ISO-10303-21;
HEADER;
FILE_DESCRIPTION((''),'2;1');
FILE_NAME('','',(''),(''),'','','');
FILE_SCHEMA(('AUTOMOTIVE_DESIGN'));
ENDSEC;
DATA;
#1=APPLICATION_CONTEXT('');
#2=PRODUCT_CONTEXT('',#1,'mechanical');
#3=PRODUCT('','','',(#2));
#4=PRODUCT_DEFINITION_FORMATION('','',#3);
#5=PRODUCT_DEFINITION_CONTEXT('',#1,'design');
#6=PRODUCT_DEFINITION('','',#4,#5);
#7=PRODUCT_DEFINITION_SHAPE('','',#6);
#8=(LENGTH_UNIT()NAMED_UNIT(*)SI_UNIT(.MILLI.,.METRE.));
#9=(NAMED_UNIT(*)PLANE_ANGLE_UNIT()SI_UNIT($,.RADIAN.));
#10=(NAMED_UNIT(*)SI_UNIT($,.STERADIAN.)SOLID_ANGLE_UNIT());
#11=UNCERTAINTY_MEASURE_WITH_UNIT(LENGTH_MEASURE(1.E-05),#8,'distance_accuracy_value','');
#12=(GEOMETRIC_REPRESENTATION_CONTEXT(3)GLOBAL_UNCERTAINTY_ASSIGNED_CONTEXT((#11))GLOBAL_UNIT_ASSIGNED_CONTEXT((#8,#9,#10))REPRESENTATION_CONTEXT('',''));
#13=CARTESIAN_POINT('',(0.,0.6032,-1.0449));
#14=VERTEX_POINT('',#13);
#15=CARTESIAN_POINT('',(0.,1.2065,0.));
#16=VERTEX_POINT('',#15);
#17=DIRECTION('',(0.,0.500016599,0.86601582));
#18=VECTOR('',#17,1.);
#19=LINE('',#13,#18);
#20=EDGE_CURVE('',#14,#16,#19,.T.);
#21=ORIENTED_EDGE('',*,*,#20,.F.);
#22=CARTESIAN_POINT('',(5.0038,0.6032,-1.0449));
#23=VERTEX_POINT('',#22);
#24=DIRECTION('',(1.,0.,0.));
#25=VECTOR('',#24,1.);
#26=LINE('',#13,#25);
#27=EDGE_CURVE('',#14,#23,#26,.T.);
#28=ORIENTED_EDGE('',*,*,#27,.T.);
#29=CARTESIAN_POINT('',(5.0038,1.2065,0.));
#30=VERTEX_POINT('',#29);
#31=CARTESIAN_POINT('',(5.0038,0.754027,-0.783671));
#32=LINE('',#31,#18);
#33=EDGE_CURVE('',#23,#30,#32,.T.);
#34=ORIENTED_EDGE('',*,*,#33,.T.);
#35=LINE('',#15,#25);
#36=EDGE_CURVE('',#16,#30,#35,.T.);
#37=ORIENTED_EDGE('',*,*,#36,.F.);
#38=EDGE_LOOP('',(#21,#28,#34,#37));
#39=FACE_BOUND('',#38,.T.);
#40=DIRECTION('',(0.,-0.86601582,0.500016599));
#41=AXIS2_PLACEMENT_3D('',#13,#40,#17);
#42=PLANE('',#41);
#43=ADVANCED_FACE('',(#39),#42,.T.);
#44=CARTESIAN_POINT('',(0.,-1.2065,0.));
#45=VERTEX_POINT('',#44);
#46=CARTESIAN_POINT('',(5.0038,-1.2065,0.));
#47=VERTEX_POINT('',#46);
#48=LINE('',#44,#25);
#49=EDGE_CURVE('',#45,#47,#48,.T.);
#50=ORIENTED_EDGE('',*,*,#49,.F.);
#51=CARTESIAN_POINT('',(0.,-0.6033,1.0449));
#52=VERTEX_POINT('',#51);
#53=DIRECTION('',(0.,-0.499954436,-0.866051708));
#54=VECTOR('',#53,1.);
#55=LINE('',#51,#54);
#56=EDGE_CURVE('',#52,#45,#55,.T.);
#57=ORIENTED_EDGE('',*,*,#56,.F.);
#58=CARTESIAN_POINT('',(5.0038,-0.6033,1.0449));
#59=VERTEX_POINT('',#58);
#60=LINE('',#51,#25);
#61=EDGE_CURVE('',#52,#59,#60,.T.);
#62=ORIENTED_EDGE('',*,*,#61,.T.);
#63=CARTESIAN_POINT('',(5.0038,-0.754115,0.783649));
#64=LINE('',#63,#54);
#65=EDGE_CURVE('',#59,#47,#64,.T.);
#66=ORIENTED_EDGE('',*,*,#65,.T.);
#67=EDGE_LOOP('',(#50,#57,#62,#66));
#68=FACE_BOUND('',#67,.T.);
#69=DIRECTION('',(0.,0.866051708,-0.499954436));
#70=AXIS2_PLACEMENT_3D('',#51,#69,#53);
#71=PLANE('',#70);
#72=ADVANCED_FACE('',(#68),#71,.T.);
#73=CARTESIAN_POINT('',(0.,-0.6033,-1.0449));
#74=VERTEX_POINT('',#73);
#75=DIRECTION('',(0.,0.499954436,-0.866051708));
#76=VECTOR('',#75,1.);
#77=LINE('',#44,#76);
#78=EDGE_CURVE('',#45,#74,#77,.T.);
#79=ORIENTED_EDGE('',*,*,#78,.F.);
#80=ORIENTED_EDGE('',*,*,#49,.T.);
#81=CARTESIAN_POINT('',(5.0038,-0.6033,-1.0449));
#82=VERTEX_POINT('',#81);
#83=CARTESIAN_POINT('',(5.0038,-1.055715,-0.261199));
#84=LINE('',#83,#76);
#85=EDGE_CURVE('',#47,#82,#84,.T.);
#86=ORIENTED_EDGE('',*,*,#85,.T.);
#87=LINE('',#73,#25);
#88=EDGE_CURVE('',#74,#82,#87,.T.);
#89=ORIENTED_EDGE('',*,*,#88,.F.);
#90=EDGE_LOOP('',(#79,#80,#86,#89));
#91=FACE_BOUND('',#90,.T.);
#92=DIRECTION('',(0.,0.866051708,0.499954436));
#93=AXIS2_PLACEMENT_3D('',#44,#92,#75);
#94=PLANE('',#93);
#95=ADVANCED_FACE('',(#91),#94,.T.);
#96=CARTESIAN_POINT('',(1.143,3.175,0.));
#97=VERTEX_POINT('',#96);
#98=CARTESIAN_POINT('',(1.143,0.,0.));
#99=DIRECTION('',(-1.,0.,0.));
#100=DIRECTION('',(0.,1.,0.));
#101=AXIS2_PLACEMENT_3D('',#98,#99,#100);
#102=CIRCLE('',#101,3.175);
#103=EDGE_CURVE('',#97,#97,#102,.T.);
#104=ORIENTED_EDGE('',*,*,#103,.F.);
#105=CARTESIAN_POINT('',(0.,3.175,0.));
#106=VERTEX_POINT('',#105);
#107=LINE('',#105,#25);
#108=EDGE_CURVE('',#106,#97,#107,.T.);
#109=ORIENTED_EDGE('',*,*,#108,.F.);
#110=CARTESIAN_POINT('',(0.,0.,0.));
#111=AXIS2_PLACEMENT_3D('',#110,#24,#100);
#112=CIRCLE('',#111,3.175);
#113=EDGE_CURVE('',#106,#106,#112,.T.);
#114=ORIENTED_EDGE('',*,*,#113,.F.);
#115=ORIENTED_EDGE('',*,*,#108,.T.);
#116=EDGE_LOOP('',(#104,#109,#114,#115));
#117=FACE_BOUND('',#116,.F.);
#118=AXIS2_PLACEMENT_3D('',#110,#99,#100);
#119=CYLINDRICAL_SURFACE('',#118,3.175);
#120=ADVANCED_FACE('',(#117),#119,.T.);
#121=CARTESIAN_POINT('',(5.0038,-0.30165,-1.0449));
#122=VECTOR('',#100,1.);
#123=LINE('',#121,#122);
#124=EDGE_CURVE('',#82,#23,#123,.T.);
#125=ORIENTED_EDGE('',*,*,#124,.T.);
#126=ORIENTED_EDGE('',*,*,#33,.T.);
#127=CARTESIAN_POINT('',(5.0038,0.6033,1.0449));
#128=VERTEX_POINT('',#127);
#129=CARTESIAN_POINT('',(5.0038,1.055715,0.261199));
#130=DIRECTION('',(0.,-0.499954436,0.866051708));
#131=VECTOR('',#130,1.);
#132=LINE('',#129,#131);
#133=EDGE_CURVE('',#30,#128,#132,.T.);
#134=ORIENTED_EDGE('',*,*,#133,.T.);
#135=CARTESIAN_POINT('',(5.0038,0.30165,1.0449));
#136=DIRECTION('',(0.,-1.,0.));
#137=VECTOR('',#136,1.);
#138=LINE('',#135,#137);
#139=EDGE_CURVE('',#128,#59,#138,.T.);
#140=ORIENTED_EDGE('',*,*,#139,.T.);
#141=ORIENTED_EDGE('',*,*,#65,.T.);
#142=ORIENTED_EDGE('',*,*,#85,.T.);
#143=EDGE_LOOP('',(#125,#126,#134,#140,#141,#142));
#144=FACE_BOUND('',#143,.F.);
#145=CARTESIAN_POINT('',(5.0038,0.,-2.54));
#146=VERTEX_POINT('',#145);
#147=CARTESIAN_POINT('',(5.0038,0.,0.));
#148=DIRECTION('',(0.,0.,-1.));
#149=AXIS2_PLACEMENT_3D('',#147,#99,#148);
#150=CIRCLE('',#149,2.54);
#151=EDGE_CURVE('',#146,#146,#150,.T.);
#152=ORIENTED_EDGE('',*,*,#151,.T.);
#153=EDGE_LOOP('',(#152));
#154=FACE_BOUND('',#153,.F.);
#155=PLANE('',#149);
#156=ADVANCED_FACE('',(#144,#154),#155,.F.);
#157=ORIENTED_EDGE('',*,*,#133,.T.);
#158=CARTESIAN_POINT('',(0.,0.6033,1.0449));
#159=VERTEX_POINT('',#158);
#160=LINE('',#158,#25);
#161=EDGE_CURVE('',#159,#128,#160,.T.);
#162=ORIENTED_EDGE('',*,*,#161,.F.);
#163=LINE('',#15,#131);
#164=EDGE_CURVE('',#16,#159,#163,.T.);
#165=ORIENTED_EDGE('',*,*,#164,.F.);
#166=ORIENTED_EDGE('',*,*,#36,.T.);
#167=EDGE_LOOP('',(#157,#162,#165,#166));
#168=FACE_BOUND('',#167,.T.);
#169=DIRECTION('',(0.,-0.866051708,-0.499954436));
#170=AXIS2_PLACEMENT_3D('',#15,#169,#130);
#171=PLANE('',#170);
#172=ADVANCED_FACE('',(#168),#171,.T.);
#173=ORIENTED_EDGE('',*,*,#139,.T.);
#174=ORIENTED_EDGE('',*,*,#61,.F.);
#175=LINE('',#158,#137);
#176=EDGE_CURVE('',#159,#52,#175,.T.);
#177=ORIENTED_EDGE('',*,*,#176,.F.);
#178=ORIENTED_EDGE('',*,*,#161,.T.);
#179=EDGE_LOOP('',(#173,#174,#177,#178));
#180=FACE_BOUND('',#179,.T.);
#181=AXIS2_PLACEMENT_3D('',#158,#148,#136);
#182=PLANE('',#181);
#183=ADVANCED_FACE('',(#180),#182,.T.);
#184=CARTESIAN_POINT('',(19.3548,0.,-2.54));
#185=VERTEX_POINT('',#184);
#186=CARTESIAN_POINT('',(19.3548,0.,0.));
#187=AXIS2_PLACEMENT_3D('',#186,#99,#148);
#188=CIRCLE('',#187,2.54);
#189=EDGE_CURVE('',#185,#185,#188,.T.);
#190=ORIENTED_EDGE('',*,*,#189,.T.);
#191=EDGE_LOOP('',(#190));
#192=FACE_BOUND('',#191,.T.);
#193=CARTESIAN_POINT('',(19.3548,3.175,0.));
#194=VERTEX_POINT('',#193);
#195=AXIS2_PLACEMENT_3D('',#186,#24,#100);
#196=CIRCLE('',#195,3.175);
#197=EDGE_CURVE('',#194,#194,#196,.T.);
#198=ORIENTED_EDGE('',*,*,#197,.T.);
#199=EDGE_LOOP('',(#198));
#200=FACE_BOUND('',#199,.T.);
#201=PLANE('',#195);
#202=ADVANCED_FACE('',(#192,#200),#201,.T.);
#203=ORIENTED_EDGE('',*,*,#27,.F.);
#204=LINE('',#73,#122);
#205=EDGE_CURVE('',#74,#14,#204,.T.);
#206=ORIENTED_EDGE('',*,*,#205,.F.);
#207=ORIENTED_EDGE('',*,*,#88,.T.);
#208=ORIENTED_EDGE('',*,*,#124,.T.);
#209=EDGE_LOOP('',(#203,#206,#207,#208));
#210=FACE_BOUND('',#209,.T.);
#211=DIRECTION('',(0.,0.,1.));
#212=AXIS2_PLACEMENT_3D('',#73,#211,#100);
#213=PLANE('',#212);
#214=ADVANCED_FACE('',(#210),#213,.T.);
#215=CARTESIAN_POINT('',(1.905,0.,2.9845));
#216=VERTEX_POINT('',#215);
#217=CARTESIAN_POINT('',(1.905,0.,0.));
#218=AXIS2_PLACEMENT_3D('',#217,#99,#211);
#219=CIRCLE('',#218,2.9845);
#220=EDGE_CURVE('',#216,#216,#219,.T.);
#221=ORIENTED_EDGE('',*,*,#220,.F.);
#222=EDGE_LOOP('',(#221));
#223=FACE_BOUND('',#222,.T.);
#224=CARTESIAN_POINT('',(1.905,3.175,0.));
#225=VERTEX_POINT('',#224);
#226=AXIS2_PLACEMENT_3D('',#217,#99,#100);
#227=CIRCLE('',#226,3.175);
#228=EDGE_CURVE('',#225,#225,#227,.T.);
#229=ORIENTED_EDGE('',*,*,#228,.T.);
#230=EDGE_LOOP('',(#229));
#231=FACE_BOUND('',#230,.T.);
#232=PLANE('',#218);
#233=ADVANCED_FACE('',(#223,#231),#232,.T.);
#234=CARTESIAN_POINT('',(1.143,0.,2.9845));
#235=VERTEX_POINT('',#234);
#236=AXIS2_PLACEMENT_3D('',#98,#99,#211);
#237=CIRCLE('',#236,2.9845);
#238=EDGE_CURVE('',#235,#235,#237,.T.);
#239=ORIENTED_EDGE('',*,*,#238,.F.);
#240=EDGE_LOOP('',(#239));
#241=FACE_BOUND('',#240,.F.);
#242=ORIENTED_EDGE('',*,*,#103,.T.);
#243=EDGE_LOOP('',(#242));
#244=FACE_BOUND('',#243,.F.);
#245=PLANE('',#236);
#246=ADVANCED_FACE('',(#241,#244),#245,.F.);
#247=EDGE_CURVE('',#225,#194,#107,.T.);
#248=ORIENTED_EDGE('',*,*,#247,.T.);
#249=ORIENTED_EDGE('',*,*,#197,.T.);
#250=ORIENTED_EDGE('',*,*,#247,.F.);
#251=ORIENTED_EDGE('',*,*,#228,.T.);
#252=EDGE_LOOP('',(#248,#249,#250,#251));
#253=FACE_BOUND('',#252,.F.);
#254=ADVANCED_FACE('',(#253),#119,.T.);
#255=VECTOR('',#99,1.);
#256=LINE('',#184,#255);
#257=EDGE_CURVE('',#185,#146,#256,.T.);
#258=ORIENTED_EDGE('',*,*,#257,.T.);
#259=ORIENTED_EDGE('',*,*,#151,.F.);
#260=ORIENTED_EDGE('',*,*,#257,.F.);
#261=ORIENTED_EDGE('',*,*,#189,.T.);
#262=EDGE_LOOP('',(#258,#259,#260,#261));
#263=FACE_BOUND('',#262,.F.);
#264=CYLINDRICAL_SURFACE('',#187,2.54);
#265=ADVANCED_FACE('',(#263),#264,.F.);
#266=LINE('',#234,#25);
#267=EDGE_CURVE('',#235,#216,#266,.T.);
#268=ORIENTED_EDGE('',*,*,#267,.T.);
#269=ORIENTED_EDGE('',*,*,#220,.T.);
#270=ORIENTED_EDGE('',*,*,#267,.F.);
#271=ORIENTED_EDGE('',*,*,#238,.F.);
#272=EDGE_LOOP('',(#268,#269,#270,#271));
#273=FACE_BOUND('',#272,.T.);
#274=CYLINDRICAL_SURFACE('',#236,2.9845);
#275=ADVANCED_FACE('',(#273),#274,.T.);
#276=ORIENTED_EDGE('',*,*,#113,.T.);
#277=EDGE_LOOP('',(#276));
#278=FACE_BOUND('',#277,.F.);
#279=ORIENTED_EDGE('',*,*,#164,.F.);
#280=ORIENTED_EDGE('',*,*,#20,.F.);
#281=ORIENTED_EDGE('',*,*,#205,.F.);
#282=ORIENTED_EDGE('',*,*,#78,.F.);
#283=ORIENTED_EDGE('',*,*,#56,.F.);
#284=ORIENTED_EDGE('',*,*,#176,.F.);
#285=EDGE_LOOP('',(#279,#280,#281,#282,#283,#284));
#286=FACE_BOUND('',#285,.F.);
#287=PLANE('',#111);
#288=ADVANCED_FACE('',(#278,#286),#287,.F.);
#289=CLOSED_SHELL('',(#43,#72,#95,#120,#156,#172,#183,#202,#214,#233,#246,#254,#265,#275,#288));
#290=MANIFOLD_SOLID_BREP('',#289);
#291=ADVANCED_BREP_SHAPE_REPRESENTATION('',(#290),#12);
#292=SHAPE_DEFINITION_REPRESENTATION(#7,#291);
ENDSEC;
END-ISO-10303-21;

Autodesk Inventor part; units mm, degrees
ref_plane "YZ Plane" through (0, 0, 0) normal (1, 0, 0) x (0, 1, 0)
ref_plane "XZ Plane" through (0, 0, 0) normal (0, 1, 0) x (-1, 0, 0)
ref_plane "XY Plane" through (0, 0, 0) normal (0, 0, 1) x (1, 0, 0)
sketch "Sketch1" plane through (0, 0, 0) normal (1, 0, 0) x (0, 1, 0)
  circle A0 centre (0, 0) radius 3.175
  dimension "d0" = 6.35
extrude "Extrusion1" add sketch "Sketch1" along normal blind 19.3548
ref_plane "Work Plane1" through (1.143, 0, 0) normal (-1, 0, 0) x (0, 0, 1)
sketch "Sketch2" plane through (1.143, 0, 0) normal (-1, 0, 0) x (0, 0, 1)
  circle A0 centre (0, 0) radius 3.175 projected
  circle A1 centre (0, 0) radius 2.9845
  dimension "d4" = 5.969
extrude "Extrusion2" cut sketch "Sketch2" against normal blind 0.762
sketch "Sketch3" plane through (19.3548, 0, 0) normal (1, 0, 0) x (0, 0, -1)
  circle A0 centre (0, 0) radius 3.175 projected
hole "Hole1" at (19.3548, 0, 0) direction (-1, 0, 0) diameter 5.08 depth 14.351
sketch "Sketch4" plane through (0, 0, 0) normal (-1, 0, 0) x (0, 0, 1)
  circle A0 centre (0, 0) radius 3.175 projected
  line L0 (0, 1.2065) -> (1.0449, 0.6033)
  line L1 (1.0449, 0.6033) -> (1.0449, -0.6033)
  line L2 (1.0449, -0.6033) -> (0, -1.2065)
  line L3 (0, -1.2065) -> (-1.0449, -0.6033)
  line L4 (-1.0449, -0.6033) -> (-1.0449, 0.6032)
  line L5 (-1.0449, 0.6032) -> (0, 1.2065)
  dimension "d15" = 2.413
extrude "Extrusion3" cut sketch "Sketch4" against normal through all contours L0 L1 L2 L3 L4 L5
thread "Thread1" size "12-24 UNC" class "2B" standard "ANSI Unified Screw Threads" full length
properties part number "Clutch Sleeve2" material "Steel"
